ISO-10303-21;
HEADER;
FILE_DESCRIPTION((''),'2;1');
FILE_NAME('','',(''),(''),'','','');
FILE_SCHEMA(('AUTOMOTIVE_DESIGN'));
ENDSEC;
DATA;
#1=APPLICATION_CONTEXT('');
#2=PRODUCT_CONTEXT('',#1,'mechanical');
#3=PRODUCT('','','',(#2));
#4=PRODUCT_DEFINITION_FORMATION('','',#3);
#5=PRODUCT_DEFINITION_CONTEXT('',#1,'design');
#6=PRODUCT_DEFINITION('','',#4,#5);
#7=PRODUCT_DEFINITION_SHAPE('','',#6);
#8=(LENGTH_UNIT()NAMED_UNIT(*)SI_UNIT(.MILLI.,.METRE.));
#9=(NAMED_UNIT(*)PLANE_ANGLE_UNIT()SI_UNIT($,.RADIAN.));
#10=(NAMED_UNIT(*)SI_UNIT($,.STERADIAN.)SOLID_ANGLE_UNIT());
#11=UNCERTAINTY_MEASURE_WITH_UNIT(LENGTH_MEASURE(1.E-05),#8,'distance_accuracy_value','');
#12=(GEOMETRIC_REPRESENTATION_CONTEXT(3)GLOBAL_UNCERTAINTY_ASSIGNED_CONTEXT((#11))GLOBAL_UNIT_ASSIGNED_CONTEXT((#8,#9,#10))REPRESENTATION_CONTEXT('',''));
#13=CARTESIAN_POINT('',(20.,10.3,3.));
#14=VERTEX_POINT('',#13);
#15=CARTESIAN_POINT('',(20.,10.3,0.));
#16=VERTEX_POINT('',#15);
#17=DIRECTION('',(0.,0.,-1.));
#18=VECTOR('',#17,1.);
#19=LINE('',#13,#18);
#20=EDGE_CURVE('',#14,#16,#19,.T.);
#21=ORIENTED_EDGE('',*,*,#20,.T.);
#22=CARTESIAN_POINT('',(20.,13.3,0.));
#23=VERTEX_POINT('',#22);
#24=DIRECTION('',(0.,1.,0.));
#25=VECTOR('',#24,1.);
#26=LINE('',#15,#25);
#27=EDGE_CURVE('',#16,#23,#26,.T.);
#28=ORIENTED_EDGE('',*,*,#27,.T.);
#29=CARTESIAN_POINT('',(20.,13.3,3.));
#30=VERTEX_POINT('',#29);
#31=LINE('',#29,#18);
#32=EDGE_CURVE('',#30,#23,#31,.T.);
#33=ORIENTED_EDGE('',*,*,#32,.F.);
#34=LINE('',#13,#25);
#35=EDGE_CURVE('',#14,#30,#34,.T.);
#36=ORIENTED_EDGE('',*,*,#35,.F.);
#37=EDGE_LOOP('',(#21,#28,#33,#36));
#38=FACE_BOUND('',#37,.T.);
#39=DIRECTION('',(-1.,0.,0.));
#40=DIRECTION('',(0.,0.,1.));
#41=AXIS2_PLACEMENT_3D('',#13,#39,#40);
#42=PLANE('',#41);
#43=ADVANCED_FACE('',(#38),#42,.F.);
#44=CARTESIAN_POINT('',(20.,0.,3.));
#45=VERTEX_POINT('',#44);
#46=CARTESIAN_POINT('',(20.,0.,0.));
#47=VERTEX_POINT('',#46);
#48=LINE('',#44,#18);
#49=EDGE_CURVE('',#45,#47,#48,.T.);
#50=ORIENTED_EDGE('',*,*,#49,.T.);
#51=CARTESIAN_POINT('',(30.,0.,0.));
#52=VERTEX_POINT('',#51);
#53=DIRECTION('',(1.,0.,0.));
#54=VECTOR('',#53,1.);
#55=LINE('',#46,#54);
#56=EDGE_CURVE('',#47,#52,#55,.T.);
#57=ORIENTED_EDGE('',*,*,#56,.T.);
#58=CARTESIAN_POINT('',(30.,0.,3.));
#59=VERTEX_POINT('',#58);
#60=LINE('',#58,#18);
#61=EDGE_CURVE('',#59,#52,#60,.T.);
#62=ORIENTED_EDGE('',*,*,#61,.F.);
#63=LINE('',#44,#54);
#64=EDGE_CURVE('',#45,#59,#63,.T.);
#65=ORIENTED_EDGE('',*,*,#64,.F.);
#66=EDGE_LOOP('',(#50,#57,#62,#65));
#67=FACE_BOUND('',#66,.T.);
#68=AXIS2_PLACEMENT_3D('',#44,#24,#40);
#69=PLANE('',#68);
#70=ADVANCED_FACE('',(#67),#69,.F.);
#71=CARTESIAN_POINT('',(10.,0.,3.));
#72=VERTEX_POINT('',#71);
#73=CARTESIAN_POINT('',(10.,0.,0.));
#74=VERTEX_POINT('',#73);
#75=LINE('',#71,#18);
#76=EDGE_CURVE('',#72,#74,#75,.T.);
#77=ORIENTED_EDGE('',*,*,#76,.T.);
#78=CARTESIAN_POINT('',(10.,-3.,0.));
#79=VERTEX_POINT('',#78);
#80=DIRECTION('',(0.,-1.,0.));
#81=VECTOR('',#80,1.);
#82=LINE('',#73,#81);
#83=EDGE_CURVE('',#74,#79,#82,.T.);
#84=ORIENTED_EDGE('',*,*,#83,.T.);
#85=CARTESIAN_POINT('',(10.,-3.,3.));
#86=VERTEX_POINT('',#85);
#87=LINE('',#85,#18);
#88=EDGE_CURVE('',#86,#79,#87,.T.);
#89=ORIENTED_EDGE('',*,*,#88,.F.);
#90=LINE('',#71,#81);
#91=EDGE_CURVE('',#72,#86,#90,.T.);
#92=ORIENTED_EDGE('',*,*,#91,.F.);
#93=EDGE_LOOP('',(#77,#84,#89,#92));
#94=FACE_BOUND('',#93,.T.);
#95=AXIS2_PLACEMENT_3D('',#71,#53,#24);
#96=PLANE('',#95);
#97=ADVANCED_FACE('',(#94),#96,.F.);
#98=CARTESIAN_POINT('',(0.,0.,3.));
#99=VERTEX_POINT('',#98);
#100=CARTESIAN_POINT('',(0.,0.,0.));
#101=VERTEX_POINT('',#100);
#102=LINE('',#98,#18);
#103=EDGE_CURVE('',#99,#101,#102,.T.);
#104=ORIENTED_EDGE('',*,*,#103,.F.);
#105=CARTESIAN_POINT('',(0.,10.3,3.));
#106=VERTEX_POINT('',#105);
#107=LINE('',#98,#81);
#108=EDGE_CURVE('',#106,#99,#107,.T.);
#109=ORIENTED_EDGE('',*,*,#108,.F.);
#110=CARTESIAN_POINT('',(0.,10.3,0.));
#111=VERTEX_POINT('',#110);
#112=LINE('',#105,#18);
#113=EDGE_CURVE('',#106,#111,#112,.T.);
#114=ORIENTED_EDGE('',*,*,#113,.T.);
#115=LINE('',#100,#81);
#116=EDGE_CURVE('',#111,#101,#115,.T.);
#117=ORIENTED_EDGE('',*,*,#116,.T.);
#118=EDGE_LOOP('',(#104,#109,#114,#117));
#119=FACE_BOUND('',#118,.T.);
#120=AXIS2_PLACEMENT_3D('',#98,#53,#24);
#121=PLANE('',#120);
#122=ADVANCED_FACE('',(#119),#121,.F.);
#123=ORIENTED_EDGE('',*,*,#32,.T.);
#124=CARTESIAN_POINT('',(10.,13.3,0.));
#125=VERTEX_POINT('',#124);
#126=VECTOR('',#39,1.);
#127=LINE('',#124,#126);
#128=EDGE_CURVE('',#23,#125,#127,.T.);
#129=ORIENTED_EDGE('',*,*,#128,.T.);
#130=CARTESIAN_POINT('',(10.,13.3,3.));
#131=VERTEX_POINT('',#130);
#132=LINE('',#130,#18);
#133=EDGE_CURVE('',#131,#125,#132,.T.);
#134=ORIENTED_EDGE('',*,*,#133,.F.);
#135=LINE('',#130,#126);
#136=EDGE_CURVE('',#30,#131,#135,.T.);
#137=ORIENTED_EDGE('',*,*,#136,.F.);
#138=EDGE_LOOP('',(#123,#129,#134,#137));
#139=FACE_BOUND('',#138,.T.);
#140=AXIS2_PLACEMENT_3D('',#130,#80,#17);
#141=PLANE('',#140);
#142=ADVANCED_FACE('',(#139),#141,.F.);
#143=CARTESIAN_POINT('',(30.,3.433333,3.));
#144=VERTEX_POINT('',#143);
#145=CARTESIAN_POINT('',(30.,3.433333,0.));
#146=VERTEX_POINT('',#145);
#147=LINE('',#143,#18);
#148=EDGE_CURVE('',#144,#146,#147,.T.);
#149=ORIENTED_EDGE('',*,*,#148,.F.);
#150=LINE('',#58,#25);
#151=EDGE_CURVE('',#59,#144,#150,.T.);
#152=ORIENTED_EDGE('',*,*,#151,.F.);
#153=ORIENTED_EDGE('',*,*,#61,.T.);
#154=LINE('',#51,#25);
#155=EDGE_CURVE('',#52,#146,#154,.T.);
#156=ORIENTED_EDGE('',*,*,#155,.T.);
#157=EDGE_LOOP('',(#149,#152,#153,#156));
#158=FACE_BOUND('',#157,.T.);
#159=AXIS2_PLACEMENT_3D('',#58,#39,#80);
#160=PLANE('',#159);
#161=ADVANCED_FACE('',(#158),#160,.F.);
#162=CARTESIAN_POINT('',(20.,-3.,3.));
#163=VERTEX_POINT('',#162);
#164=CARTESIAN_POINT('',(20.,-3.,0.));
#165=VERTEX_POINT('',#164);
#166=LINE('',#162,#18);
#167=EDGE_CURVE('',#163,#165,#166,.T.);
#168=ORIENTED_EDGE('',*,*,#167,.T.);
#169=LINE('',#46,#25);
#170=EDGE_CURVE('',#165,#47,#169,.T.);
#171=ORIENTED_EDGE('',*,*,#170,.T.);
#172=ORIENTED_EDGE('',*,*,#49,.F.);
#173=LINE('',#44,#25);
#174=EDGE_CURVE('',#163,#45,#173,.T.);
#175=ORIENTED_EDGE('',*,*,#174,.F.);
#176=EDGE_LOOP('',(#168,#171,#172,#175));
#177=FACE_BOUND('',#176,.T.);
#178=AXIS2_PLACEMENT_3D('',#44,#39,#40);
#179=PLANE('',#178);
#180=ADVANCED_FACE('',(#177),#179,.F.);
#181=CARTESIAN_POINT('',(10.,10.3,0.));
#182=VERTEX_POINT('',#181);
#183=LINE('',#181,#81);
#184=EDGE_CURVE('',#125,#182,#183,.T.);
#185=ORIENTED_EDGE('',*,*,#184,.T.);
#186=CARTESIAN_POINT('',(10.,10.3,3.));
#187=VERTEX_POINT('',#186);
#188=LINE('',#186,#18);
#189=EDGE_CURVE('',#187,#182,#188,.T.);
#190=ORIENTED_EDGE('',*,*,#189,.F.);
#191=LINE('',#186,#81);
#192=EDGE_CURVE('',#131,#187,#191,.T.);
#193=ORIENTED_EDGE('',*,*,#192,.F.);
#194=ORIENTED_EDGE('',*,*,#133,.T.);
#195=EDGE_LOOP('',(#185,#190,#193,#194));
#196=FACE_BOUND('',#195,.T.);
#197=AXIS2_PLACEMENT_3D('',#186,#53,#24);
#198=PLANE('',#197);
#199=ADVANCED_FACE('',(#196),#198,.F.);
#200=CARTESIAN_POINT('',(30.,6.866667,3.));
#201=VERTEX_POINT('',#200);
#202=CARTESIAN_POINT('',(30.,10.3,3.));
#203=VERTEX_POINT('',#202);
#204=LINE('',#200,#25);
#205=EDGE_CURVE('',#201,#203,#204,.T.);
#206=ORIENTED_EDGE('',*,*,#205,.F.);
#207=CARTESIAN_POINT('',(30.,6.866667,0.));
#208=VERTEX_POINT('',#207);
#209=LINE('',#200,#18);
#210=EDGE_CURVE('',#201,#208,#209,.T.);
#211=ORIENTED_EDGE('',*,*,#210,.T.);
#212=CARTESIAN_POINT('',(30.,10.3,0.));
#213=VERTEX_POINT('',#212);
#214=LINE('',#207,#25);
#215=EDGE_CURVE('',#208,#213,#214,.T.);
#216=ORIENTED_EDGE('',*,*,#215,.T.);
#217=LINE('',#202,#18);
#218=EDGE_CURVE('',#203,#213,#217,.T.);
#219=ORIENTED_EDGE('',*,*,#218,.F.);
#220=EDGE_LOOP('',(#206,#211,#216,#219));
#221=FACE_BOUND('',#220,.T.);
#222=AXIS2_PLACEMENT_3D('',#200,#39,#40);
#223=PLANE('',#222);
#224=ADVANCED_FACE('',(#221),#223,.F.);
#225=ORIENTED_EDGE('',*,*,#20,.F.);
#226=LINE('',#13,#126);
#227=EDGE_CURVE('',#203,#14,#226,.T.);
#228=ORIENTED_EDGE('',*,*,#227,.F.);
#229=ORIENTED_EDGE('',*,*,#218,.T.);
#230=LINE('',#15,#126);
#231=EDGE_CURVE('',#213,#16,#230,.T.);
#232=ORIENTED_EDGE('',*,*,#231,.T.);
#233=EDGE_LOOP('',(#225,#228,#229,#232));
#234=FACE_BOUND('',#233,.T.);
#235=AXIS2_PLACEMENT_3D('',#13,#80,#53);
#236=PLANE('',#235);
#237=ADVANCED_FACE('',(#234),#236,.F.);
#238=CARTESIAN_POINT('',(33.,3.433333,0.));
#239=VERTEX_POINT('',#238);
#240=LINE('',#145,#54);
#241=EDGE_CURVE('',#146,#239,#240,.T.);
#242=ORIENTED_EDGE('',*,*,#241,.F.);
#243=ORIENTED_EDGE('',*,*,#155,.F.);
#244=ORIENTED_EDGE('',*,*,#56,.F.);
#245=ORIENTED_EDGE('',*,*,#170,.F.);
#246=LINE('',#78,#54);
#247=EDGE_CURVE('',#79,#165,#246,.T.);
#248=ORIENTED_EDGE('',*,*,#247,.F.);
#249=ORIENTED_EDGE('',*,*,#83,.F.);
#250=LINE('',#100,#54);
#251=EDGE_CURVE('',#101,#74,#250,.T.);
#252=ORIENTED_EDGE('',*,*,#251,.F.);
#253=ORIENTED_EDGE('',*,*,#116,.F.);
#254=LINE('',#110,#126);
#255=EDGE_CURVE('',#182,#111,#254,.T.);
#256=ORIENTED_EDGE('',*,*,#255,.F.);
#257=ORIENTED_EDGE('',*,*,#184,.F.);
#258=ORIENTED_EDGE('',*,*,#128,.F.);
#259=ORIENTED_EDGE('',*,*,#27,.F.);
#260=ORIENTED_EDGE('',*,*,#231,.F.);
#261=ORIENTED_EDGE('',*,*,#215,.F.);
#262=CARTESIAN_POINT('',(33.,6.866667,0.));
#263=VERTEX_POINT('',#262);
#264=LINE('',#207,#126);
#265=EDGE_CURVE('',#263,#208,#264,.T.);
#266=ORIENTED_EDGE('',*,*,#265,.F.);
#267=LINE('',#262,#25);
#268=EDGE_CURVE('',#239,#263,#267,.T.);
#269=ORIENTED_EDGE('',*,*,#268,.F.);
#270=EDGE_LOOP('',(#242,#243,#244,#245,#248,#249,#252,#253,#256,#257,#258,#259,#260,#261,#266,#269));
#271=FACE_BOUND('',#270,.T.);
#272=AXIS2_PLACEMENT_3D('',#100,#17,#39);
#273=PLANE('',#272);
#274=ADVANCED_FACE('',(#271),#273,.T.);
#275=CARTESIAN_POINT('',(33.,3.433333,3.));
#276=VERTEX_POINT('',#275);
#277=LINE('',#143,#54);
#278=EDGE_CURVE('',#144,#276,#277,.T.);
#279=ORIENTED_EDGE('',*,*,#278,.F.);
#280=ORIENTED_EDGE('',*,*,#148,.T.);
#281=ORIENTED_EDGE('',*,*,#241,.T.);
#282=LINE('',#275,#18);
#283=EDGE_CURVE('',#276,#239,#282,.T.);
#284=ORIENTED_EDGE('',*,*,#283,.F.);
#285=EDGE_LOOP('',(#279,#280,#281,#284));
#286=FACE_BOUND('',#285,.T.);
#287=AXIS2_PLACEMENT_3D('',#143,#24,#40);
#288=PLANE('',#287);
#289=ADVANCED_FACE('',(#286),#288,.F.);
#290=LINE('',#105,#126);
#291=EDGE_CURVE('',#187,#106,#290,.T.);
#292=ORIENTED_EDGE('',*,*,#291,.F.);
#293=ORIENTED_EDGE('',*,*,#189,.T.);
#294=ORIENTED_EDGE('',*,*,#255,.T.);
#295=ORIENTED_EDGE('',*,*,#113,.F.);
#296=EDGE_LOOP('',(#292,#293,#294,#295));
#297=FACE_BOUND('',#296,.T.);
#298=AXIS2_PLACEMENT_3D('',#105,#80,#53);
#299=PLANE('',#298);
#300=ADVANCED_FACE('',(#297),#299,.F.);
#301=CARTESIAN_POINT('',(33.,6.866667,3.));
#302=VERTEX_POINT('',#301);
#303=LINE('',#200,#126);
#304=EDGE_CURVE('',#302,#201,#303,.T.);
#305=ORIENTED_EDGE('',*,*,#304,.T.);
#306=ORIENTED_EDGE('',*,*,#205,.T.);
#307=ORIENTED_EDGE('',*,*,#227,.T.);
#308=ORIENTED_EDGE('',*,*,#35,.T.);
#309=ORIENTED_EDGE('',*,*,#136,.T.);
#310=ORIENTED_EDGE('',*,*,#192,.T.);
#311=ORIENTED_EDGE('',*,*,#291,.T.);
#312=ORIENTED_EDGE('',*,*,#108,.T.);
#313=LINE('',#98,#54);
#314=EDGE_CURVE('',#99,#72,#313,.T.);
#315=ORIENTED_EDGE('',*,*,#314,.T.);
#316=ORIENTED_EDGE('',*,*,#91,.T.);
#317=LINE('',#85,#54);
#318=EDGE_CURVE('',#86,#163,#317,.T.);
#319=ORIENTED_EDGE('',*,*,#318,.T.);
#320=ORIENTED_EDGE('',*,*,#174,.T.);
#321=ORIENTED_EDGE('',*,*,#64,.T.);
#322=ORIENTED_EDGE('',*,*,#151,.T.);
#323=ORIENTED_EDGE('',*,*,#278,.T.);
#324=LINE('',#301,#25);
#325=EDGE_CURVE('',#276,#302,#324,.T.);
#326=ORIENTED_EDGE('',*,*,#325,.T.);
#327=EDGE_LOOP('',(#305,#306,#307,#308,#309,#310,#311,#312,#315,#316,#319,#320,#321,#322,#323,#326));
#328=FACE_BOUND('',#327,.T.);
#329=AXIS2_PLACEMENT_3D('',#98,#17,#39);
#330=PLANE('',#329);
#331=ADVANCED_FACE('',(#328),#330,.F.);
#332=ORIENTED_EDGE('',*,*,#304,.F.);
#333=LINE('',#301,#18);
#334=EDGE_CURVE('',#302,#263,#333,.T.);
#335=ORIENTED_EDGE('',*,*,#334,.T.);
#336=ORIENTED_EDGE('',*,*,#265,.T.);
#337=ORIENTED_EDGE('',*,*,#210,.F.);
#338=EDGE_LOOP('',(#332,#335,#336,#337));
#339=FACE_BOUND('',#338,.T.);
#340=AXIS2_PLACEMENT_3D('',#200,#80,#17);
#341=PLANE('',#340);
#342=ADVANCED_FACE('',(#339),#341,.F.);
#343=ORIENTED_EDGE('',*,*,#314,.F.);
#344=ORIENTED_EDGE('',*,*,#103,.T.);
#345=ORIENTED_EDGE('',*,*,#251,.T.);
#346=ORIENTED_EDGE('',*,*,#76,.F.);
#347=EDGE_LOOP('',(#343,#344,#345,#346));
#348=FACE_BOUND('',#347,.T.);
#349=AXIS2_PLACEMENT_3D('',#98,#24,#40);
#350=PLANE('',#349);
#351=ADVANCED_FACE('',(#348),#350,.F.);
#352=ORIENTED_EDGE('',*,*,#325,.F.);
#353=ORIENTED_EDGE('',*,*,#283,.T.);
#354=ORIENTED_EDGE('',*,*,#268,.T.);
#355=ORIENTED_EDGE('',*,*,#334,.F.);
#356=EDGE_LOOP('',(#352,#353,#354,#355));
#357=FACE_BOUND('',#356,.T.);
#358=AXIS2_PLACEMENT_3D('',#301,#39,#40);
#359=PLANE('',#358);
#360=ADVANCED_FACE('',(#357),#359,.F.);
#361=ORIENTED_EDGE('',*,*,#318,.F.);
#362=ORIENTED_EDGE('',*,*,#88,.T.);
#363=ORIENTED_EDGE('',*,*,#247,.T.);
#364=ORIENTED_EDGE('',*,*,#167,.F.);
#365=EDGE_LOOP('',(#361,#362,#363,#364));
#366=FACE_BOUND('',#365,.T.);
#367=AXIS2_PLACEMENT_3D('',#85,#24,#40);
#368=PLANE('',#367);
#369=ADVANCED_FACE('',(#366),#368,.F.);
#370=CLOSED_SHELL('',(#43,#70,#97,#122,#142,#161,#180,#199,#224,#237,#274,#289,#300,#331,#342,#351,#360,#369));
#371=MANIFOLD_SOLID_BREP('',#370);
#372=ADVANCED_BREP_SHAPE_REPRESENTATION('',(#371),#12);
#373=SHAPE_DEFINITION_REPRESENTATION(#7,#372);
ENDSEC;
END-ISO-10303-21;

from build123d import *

# Parameters (mm, degrees)
BOSS_EXTRUDE1_DEPTH = 3


with BuildPart() as part:
    # Sketch1 → Boss-Extrude1 (new body)
    with BuildSketch(Plane.XY):
        Polygon((0, 0), (10, 0), (10, -3), (20, -3), (20, 0), (30, 0), (30, 3.433333337), (33, 3.433333337), (33, 6.866666667), (30, 6.866666667), (30, 10.3), (20, 10.3), (20, 13.3), (10, 13.3), (10, 10.3), (0, 10.3), align=None)
    extrude(amount=BOSS_EXTRUDE1_DEPTH)


solid = part.part
